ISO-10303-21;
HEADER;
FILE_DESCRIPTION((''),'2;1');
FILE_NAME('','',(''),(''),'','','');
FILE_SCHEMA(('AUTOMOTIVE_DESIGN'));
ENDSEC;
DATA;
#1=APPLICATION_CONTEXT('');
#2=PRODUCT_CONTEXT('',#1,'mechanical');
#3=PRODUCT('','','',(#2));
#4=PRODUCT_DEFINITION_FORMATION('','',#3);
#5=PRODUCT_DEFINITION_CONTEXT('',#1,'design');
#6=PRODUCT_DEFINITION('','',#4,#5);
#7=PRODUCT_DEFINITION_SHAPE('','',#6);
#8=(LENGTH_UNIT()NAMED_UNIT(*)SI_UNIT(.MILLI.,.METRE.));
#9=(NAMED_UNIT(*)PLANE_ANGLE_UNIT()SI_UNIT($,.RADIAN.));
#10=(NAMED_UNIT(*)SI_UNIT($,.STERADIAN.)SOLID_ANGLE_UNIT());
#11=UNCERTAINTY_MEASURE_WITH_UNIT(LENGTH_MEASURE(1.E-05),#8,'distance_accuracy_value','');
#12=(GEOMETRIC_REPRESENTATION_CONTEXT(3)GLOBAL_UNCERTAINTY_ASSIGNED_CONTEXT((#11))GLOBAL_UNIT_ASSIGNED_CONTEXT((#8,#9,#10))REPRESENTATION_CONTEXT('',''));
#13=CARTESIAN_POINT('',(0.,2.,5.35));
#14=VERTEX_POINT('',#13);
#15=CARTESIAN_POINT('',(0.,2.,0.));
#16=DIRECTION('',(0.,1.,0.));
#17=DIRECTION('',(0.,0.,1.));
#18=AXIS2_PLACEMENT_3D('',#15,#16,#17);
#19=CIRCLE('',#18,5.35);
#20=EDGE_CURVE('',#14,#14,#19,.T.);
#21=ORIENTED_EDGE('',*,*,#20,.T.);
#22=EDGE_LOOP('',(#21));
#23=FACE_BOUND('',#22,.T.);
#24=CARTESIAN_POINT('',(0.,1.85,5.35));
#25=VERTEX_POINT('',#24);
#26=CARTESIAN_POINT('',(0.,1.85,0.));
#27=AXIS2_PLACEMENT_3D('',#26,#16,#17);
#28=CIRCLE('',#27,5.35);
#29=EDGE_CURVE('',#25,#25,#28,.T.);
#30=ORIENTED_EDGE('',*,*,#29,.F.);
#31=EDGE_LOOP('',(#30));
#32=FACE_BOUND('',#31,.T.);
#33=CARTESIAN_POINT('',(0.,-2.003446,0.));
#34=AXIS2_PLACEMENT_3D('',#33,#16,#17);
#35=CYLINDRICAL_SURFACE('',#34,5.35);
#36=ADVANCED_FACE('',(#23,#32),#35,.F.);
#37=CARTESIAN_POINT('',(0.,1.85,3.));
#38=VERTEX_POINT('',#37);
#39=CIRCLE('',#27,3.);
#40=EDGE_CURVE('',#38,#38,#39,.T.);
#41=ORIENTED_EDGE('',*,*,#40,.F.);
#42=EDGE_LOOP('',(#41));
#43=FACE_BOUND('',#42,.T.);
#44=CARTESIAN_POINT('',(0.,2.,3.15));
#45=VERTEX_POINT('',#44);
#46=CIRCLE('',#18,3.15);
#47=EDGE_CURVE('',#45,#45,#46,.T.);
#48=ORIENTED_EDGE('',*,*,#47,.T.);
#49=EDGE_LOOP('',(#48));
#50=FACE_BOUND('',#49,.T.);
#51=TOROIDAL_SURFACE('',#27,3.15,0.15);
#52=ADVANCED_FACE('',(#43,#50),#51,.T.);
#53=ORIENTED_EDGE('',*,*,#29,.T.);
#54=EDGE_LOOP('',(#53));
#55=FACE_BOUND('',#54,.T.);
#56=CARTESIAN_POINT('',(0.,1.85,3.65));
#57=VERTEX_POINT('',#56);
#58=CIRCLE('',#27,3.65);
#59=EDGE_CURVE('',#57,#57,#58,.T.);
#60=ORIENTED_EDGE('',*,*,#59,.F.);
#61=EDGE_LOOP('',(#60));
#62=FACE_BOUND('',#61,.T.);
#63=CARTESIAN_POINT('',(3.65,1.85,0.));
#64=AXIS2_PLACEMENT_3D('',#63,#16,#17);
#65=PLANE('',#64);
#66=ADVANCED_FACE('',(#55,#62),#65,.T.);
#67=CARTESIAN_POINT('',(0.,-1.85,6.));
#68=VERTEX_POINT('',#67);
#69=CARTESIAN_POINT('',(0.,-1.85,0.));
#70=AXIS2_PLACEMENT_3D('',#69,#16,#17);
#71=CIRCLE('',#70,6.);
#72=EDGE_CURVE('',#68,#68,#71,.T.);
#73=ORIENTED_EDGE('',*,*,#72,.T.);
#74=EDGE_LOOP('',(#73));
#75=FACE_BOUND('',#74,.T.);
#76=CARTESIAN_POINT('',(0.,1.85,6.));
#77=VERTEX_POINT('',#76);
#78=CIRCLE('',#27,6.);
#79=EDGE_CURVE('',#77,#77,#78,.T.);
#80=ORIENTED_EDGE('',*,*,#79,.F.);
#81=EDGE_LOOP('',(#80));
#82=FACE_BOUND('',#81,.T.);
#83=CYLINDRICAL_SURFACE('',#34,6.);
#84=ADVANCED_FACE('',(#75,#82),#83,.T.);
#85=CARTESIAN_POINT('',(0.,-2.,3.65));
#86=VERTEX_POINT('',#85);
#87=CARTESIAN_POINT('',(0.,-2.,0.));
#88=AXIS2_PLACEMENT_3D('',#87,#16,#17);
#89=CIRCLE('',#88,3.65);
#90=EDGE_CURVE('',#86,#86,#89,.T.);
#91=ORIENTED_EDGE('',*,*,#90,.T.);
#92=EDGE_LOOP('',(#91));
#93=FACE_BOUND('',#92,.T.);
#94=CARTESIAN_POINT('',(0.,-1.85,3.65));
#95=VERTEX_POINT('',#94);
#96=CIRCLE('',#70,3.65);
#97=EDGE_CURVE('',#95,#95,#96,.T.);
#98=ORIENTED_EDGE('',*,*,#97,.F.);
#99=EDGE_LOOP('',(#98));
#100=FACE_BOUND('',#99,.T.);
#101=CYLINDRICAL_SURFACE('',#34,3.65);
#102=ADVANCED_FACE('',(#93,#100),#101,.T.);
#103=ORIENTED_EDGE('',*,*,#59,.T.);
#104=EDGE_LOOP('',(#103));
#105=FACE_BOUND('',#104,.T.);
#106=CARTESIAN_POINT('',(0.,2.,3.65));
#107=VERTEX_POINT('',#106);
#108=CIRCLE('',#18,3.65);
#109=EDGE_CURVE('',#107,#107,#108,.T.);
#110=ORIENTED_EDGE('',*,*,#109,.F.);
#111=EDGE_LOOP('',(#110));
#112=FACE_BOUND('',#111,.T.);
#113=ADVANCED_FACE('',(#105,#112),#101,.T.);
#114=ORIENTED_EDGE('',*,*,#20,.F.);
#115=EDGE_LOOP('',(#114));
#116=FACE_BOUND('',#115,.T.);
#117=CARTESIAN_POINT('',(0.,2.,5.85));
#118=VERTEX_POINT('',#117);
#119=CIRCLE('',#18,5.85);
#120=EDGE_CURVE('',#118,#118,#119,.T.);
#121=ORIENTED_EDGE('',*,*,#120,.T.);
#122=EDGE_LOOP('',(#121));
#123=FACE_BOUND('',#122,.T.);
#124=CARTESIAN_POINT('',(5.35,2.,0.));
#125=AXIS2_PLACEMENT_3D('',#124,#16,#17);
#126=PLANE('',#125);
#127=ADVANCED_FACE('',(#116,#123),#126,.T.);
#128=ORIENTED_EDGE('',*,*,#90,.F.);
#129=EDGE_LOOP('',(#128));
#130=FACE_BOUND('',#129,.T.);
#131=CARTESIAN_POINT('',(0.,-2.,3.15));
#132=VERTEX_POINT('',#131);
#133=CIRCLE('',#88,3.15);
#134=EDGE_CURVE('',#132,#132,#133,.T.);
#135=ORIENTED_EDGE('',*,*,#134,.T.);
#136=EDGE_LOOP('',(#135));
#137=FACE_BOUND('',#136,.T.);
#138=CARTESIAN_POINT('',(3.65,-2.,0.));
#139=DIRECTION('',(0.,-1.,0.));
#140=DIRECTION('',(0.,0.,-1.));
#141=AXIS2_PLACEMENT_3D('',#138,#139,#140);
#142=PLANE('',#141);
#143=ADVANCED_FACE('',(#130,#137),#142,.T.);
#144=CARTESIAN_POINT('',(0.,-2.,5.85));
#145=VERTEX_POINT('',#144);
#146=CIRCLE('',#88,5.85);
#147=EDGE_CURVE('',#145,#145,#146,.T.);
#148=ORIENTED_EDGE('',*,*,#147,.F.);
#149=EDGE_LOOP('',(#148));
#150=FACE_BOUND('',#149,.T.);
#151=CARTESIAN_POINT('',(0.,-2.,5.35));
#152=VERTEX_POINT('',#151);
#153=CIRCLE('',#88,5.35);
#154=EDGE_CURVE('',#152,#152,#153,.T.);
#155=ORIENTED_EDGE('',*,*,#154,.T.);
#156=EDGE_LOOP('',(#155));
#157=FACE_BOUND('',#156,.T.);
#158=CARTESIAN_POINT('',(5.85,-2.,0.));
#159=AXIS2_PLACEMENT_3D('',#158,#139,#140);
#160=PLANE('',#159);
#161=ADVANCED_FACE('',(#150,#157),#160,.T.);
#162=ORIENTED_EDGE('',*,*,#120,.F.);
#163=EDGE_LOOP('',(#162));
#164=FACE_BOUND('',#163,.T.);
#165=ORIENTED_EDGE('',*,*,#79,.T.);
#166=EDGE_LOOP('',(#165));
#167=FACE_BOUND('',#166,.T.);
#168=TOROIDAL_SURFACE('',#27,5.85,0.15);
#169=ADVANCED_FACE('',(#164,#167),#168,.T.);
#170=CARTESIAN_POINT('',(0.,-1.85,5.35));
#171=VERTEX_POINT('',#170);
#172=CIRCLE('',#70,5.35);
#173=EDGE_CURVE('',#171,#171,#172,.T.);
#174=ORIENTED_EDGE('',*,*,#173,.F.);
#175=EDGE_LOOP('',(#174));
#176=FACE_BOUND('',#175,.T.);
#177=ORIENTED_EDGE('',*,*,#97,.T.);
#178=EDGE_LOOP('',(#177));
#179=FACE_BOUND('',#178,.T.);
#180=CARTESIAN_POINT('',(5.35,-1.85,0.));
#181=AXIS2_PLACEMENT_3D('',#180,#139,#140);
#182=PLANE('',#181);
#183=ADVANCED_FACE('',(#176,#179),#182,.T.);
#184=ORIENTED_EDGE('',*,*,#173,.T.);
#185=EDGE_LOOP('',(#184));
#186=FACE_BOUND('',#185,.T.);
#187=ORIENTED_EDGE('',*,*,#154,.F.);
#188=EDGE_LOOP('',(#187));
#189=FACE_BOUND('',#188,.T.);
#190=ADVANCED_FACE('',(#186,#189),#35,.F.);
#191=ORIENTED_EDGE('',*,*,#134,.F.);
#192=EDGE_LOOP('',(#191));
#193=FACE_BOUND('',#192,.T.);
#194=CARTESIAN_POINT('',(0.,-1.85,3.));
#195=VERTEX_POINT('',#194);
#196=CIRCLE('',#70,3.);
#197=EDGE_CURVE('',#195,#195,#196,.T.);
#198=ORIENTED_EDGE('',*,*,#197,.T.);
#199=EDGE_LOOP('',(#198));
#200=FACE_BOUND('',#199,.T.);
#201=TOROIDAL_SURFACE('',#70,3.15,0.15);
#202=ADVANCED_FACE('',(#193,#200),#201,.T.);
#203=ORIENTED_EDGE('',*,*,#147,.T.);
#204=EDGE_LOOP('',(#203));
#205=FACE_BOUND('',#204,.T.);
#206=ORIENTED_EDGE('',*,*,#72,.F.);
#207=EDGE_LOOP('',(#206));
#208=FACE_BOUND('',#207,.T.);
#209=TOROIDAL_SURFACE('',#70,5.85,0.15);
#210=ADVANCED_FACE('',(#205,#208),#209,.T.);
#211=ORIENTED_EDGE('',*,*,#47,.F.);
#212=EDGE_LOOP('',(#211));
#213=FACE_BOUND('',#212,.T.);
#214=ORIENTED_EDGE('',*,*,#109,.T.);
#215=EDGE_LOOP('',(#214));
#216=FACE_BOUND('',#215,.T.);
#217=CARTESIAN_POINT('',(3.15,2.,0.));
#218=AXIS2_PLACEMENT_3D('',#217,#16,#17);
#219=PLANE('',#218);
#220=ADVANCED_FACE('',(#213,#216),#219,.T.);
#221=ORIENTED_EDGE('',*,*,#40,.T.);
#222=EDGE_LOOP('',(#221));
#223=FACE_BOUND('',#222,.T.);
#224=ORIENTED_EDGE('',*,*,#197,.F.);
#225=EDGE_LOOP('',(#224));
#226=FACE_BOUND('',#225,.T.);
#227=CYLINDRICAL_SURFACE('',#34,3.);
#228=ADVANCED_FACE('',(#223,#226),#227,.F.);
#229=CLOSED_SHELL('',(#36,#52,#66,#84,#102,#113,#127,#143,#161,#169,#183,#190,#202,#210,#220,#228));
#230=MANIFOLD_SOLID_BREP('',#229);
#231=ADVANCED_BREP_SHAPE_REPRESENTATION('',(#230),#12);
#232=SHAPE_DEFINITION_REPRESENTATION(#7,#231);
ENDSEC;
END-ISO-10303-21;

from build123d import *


with BuildPart() as part:
    # Esquisse1 → Révolution1 (revolve)
    with BuildSketch(Plane(origin=(0, 0, 0), x_dir=(-1, 0, 0), z_dir=(0, 0, -1)), mode=Mode.PRIVATE) as r_volution1_sk:
        with BuildLine():
            Line((-3, -1.85), (-3, 1.85))
            ThreePointArc((-3, 1.85), (-3.043933983, 1.956066017), (-3.15, 2))
            Line((-3.15, 2), (-3.65, 2))
            Line((-3.65, 2), (-3.65, 1.85))
            Line((-3.65, 1.85), (-5.35, 1.85))
            Line((-5.35, 1.85), (-5.35, 2))
            Line((-5.35, 2), (-5.85, 2))
            ThreePointArc((-5.85, 2), (-5.956066017, 1.956066017), (-6, 1.85))
            Line((-6, 1.85), (-6, -1.85))
            ThreePointArc((-6, -1.85), (-5.956066017, -1.956066017), (-5.85, -2))
            Line((-5.85, -2), (-5.35, -2))
            Line((-5.35, -2), (-5.35, -1.85))
            Line((-5.35, -1.85), (-3.65, -1.85))
            Line((-3.65, -1.85), (-3.65, -2))
            Line((-3.65, -2), (-3.15, -2))
            ThreePointArc((-3.15, -2), (-3.043933983, -1.956066017), (-3, -1.85))
        make_face()
    revolve(r_volution1_sk.sketch.rotate(Axis((0, -2.003446066, 0), (0, 1, 0)), 270), axis=Axis((0, -2.003446066, 0), (0, 1, 0)))


solid = part.part
